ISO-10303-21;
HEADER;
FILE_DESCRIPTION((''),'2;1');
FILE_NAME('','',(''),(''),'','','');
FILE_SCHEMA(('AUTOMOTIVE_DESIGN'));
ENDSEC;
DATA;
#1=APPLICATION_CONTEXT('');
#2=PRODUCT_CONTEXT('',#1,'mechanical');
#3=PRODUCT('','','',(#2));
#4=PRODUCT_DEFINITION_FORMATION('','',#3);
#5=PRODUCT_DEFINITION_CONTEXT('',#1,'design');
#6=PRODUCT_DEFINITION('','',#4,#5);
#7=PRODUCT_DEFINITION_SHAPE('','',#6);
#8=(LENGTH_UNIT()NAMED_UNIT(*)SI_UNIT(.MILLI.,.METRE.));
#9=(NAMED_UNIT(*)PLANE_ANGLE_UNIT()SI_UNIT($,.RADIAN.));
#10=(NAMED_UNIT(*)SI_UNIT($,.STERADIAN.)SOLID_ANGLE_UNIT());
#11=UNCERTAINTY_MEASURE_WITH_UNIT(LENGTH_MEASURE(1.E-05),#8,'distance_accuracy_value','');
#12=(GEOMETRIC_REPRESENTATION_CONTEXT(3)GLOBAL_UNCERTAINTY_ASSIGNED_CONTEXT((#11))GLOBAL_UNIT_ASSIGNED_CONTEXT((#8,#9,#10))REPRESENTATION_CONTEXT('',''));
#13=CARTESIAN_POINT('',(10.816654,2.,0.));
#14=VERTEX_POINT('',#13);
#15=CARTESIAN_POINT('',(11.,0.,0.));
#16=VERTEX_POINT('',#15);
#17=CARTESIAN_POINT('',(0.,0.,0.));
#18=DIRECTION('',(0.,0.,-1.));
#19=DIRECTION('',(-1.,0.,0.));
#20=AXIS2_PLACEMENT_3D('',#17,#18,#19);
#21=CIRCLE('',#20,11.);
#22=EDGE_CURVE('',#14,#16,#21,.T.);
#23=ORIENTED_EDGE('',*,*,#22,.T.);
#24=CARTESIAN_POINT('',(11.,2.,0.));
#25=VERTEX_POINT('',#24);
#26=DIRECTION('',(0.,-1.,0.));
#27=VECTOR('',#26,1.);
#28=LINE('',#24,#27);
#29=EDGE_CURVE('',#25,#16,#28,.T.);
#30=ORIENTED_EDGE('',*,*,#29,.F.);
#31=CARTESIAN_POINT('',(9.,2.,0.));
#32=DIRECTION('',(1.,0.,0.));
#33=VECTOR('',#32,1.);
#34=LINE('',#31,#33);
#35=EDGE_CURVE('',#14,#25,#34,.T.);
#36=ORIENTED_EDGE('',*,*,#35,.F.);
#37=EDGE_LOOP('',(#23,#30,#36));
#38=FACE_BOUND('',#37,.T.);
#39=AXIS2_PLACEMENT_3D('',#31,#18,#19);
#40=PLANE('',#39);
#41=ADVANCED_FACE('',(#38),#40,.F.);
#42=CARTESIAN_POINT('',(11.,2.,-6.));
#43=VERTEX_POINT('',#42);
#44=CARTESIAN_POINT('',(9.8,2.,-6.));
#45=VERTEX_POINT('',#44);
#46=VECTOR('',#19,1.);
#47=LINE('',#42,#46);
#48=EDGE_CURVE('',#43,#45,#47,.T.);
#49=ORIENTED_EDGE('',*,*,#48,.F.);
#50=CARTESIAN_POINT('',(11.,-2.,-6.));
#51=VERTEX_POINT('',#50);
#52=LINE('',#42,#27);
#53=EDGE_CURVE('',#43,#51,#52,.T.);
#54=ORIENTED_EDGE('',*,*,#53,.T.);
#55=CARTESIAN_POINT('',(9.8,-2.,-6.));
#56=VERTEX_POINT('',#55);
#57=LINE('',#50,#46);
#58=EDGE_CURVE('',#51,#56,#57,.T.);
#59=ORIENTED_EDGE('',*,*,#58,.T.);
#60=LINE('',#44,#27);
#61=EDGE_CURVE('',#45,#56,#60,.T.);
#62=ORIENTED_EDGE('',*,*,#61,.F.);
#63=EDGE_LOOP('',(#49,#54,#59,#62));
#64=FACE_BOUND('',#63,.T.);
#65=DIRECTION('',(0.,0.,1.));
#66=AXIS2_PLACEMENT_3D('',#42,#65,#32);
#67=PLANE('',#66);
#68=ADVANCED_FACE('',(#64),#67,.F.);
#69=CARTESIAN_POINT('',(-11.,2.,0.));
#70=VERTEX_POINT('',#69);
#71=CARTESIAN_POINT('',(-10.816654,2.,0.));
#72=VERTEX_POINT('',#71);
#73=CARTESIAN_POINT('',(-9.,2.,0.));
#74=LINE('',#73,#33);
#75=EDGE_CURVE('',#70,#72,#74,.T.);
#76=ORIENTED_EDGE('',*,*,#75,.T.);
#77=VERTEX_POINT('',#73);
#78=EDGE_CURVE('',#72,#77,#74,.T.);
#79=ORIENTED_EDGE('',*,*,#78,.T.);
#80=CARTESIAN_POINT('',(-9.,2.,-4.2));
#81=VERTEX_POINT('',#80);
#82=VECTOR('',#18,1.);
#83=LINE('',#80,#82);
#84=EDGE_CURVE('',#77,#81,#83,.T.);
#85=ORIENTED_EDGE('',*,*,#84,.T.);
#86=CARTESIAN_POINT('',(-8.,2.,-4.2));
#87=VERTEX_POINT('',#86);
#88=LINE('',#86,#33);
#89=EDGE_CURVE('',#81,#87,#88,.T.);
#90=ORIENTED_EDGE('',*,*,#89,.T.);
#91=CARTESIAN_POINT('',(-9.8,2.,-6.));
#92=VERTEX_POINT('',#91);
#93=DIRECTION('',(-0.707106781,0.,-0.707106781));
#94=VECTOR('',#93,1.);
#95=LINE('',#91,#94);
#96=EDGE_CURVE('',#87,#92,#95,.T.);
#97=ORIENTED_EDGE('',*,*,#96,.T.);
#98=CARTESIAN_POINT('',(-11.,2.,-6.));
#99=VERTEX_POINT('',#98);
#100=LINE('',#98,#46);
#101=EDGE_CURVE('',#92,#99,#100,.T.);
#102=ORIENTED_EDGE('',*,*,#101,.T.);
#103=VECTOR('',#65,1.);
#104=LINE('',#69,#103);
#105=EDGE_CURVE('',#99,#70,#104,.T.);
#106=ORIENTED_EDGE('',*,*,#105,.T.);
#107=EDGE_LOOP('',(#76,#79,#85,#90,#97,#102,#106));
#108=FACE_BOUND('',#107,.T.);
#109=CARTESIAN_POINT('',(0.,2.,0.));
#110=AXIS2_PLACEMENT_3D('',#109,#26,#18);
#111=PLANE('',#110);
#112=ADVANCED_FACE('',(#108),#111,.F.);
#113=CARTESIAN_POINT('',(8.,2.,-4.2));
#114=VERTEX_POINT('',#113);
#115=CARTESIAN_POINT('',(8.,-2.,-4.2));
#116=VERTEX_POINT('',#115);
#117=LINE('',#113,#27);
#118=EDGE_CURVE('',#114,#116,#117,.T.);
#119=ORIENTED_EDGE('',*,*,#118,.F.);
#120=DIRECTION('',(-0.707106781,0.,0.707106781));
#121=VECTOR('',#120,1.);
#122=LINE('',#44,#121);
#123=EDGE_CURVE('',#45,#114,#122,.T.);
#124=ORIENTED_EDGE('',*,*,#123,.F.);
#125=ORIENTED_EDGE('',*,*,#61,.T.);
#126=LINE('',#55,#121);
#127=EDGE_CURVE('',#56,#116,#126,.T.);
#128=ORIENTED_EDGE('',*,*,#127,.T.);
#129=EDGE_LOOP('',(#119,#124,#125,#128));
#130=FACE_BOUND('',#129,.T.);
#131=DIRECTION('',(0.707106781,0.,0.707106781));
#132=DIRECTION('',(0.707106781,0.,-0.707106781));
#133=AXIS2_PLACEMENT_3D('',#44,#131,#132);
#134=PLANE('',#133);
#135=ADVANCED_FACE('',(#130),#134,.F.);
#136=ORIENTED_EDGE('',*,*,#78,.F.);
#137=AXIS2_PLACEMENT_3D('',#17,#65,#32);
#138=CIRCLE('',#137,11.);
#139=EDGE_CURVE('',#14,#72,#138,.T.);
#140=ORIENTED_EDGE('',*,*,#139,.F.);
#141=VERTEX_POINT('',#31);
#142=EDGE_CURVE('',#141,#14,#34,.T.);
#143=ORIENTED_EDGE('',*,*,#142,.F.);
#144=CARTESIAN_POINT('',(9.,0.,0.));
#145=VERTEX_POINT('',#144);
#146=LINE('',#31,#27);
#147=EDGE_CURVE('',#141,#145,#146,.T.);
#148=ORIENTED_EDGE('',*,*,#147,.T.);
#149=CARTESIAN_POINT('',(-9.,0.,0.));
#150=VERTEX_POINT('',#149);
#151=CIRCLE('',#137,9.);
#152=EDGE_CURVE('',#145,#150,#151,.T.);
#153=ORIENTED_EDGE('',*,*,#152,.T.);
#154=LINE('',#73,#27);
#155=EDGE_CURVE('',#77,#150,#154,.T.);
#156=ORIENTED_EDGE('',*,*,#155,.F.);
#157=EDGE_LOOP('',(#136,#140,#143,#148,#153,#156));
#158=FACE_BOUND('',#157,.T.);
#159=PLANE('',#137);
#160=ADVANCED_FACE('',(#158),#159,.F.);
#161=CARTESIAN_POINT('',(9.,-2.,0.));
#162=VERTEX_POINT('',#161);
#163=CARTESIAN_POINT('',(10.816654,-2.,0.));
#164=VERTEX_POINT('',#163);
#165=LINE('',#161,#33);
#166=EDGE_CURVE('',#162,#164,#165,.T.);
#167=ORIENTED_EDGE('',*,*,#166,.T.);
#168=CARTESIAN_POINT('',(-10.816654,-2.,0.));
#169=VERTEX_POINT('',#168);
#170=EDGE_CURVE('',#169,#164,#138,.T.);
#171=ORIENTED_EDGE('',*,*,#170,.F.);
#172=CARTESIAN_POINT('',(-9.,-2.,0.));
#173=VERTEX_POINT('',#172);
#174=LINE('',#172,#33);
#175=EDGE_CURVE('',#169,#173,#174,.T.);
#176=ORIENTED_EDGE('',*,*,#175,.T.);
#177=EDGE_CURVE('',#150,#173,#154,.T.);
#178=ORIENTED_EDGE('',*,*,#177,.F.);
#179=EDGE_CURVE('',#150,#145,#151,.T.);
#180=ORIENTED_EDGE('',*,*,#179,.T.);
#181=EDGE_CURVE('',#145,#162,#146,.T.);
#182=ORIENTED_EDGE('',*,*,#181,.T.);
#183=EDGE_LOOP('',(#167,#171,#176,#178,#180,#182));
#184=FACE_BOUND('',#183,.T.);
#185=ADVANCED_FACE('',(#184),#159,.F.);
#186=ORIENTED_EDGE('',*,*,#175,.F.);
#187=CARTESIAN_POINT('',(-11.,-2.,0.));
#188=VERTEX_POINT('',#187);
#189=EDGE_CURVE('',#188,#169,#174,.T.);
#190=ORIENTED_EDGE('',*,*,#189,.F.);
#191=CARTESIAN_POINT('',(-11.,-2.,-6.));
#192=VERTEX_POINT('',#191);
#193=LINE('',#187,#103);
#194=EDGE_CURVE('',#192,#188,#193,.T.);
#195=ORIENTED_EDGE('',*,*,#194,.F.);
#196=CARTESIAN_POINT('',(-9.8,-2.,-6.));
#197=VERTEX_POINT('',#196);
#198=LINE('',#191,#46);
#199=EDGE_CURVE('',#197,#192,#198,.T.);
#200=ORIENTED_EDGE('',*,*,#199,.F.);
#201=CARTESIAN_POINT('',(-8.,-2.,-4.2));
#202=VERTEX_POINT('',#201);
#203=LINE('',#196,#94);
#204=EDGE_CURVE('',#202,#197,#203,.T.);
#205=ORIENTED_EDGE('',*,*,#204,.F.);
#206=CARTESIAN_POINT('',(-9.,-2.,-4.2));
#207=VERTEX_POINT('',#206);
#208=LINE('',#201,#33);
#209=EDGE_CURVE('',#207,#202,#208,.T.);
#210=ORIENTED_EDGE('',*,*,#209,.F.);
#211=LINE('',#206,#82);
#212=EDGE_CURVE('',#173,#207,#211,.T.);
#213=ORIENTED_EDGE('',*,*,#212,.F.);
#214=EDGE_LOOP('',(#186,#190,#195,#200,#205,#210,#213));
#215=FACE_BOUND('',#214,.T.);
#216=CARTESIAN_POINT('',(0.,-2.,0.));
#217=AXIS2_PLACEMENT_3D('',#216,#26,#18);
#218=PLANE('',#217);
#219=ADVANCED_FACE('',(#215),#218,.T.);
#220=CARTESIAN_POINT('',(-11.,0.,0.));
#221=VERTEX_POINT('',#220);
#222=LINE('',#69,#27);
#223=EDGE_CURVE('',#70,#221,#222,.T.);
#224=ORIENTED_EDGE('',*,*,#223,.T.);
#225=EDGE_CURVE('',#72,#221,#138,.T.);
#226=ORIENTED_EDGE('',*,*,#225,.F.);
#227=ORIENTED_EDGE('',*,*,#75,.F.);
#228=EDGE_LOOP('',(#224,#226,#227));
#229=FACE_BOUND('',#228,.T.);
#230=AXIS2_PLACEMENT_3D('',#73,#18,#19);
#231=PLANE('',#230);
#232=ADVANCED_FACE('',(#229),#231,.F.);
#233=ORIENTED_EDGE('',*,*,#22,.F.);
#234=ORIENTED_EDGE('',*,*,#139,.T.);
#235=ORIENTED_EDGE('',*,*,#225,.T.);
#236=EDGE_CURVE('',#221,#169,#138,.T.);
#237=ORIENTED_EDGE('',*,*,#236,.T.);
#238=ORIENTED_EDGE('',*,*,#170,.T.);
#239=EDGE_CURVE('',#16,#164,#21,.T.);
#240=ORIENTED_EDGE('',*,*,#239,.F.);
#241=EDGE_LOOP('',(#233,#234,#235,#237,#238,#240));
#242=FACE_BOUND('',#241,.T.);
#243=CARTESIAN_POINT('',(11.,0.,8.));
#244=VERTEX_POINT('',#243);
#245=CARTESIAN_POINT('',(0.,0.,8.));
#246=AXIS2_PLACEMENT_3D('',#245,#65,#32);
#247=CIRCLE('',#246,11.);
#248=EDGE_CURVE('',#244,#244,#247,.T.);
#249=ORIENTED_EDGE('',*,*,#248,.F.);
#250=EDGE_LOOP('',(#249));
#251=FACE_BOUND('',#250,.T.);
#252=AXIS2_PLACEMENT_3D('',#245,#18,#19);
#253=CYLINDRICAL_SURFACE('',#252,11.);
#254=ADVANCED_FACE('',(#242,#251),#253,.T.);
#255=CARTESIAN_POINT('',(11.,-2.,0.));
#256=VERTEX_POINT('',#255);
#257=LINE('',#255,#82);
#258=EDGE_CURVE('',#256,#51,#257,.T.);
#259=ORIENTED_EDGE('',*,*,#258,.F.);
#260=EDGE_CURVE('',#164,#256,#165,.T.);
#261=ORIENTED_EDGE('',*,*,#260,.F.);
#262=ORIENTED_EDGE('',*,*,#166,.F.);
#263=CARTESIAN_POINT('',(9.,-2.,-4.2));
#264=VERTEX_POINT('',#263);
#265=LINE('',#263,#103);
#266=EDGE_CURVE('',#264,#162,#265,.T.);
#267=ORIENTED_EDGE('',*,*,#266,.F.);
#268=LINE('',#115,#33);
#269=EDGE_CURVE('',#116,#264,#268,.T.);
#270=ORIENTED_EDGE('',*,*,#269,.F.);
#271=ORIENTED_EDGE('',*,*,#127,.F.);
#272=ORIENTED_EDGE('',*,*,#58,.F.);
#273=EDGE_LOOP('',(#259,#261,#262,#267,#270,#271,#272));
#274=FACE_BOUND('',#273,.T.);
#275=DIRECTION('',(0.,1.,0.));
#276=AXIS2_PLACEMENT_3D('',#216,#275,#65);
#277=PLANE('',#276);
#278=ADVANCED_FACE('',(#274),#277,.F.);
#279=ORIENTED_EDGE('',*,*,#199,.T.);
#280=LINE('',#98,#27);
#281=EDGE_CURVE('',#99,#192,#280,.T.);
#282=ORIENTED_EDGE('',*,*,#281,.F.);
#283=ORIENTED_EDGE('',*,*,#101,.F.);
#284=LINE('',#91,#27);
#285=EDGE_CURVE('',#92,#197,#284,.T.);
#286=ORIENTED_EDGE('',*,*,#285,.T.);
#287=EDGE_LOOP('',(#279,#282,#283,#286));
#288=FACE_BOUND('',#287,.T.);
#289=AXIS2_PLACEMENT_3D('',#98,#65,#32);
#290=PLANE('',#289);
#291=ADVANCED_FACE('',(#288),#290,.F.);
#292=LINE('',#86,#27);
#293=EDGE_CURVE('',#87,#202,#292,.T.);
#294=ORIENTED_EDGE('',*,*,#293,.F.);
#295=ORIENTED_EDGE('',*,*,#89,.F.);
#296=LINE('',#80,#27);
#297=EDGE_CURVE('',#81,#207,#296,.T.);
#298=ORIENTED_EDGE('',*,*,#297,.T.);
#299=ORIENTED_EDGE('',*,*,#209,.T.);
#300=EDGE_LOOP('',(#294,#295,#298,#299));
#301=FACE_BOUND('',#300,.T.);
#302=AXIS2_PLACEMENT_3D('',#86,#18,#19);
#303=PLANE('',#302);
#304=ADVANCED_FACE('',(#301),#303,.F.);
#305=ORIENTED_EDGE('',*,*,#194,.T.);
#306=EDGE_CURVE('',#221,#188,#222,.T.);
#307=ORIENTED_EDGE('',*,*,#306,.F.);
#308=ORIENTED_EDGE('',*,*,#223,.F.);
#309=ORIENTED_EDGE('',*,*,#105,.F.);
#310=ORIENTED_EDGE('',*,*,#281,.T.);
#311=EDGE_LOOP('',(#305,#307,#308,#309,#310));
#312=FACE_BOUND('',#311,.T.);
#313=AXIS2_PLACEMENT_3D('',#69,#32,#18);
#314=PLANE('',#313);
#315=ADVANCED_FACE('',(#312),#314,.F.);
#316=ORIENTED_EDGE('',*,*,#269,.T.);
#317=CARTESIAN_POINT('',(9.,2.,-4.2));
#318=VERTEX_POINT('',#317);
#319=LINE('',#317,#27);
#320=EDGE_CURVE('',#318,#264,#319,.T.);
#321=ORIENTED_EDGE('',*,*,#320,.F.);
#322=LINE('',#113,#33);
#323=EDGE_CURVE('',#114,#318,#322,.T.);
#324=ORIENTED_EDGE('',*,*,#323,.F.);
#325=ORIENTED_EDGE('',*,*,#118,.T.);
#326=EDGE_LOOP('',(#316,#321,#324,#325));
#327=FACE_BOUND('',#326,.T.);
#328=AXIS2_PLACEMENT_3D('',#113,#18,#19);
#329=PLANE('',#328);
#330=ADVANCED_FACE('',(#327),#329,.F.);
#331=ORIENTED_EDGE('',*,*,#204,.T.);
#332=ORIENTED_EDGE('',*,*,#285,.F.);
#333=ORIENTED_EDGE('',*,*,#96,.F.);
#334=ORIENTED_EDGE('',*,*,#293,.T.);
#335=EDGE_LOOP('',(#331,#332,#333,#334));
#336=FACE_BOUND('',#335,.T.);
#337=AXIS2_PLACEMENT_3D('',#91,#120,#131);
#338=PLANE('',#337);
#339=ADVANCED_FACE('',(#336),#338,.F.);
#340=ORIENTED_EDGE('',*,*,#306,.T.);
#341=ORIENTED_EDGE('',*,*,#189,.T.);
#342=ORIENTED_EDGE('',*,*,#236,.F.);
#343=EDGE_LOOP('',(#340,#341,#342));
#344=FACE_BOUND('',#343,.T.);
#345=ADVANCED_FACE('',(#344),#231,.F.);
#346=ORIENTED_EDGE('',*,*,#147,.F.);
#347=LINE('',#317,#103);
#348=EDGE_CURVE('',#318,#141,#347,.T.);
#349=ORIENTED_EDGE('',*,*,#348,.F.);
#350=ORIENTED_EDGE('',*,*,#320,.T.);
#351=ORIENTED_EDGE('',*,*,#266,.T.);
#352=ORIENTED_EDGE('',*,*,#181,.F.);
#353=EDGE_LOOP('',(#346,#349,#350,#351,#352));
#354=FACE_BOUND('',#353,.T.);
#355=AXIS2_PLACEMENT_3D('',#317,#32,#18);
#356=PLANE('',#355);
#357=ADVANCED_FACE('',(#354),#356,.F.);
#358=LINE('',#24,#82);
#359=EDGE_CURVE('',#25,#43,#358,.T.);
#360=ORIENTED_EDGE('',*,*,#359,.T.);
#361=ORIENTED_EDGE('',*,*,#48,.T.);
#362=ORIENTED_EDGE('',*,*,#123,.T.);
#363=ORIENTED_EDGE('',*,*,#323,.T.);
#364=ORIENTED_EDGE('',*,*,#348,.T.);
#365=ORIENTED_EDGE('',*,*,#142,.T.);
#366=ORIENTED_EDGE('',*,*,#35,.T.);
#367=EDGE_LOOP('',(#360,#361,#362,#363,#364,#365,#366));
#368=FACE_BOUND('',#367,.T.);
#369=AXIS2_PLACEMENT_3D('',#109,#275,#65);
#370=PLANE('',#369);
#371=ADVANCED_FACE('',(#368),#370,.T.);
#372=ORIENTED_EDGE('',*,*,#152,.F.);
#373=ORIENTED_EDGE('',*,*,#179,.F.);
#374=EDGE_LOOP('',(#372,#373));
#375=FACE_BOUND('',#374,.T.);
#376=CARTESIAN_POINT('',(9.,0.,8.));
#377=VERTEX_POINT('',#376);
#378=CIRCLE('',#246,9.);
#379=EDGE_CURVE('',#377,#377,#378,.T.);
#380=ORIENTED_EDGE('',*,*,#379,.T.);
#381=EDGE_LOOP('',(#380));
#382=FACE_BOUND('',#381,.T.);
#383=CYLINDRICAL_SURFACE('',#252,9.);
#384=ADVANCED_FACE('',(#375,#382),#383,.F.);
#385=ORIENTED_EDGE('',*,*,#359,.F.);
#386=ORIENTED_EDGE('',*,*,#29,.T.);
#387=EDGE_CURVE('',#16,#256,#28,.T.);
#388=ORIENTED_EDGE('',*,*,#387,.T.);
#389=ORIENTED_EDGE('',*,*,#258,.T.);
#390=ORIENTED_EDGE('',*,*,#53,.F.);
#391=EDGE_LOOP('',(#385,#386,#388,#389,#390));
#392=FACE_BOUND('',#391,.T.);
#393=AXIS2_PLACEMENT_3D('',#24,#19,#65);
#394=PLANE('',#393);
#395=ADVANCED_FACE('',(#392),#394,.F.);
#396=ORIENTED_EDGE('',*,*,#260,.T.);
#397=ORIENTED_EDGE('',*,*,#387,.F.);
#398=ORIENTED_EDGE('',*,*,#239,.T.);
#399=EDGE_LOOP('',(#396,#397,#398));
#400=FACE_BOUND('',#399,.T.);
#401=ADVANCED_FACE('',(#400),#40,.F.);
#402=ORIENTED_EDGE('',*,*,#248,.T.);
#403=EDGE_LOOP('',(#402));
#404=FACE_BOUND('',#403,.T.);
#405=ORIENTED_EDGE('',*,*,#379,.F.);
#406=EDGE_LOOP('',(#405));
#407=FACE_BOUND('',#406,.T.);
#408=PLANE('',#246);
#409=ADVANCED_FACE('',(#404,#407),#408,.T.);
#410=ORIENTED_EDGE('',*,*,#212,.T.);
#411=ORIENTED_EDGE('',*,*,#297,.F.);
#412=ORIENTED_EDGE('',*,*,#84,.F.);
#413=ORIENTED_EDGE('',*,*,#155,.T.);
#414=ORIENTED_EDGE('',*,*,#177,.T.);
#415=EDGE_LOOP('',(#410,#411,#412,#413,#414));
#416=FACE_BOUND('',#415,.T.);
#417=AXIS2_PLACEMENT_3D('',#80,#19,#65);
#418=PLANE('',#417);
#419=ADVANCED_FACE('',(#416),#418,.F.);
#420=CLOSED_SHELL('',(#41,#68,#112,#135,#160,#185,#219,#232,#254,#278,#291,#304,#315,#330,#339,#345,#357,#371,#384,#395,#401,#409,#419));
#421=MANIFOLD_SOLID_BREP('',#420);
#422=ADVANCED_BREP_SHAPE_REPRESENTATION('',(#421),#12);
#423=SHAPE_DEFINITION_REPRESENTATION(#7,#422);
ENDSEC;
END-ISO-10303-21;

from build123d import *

# Parameters (mm, degrees)
SKETCH1_R           = 11
SKETCH1_R_2         = 9
BOSS_EXTRUDE1_DEPTH = 8
BOSS_EXTRUDE2_DEPTH = 2


with BuildPart() as part:
    # Sketch1 → Boss-Extrude1 (new body)
    with BuildSketch(Plane.XY):
        Circle(SKETCH1_R)
        Circle(SKETCH1_R_2, mode=Mode.SUBTRACT)
    extrude(amount=BOSS_EXTRUDE1_DEPTH)

    # Sketch2 → Boss-Extrude2 (add, symmetric)
    with BuildSketch(Plane(origin=(0, 0, 0), x_dir=(1, 0, 0), z_dir=(0, 1, 0))):
        Polygon((-11, 0), (-11, 6), (-9.8, 6), (-8, 4.2), (-9, 4.2), (-9, 0), align=None)
        Polygon((9, 0), (11, 0), (11, 6), (9.8, 6), (8, 4.2), (9, 4.2), align=None)
    extrude(amount=BOSS_EXTRUDE2_DEPTH, both=True)


solid = part.part
